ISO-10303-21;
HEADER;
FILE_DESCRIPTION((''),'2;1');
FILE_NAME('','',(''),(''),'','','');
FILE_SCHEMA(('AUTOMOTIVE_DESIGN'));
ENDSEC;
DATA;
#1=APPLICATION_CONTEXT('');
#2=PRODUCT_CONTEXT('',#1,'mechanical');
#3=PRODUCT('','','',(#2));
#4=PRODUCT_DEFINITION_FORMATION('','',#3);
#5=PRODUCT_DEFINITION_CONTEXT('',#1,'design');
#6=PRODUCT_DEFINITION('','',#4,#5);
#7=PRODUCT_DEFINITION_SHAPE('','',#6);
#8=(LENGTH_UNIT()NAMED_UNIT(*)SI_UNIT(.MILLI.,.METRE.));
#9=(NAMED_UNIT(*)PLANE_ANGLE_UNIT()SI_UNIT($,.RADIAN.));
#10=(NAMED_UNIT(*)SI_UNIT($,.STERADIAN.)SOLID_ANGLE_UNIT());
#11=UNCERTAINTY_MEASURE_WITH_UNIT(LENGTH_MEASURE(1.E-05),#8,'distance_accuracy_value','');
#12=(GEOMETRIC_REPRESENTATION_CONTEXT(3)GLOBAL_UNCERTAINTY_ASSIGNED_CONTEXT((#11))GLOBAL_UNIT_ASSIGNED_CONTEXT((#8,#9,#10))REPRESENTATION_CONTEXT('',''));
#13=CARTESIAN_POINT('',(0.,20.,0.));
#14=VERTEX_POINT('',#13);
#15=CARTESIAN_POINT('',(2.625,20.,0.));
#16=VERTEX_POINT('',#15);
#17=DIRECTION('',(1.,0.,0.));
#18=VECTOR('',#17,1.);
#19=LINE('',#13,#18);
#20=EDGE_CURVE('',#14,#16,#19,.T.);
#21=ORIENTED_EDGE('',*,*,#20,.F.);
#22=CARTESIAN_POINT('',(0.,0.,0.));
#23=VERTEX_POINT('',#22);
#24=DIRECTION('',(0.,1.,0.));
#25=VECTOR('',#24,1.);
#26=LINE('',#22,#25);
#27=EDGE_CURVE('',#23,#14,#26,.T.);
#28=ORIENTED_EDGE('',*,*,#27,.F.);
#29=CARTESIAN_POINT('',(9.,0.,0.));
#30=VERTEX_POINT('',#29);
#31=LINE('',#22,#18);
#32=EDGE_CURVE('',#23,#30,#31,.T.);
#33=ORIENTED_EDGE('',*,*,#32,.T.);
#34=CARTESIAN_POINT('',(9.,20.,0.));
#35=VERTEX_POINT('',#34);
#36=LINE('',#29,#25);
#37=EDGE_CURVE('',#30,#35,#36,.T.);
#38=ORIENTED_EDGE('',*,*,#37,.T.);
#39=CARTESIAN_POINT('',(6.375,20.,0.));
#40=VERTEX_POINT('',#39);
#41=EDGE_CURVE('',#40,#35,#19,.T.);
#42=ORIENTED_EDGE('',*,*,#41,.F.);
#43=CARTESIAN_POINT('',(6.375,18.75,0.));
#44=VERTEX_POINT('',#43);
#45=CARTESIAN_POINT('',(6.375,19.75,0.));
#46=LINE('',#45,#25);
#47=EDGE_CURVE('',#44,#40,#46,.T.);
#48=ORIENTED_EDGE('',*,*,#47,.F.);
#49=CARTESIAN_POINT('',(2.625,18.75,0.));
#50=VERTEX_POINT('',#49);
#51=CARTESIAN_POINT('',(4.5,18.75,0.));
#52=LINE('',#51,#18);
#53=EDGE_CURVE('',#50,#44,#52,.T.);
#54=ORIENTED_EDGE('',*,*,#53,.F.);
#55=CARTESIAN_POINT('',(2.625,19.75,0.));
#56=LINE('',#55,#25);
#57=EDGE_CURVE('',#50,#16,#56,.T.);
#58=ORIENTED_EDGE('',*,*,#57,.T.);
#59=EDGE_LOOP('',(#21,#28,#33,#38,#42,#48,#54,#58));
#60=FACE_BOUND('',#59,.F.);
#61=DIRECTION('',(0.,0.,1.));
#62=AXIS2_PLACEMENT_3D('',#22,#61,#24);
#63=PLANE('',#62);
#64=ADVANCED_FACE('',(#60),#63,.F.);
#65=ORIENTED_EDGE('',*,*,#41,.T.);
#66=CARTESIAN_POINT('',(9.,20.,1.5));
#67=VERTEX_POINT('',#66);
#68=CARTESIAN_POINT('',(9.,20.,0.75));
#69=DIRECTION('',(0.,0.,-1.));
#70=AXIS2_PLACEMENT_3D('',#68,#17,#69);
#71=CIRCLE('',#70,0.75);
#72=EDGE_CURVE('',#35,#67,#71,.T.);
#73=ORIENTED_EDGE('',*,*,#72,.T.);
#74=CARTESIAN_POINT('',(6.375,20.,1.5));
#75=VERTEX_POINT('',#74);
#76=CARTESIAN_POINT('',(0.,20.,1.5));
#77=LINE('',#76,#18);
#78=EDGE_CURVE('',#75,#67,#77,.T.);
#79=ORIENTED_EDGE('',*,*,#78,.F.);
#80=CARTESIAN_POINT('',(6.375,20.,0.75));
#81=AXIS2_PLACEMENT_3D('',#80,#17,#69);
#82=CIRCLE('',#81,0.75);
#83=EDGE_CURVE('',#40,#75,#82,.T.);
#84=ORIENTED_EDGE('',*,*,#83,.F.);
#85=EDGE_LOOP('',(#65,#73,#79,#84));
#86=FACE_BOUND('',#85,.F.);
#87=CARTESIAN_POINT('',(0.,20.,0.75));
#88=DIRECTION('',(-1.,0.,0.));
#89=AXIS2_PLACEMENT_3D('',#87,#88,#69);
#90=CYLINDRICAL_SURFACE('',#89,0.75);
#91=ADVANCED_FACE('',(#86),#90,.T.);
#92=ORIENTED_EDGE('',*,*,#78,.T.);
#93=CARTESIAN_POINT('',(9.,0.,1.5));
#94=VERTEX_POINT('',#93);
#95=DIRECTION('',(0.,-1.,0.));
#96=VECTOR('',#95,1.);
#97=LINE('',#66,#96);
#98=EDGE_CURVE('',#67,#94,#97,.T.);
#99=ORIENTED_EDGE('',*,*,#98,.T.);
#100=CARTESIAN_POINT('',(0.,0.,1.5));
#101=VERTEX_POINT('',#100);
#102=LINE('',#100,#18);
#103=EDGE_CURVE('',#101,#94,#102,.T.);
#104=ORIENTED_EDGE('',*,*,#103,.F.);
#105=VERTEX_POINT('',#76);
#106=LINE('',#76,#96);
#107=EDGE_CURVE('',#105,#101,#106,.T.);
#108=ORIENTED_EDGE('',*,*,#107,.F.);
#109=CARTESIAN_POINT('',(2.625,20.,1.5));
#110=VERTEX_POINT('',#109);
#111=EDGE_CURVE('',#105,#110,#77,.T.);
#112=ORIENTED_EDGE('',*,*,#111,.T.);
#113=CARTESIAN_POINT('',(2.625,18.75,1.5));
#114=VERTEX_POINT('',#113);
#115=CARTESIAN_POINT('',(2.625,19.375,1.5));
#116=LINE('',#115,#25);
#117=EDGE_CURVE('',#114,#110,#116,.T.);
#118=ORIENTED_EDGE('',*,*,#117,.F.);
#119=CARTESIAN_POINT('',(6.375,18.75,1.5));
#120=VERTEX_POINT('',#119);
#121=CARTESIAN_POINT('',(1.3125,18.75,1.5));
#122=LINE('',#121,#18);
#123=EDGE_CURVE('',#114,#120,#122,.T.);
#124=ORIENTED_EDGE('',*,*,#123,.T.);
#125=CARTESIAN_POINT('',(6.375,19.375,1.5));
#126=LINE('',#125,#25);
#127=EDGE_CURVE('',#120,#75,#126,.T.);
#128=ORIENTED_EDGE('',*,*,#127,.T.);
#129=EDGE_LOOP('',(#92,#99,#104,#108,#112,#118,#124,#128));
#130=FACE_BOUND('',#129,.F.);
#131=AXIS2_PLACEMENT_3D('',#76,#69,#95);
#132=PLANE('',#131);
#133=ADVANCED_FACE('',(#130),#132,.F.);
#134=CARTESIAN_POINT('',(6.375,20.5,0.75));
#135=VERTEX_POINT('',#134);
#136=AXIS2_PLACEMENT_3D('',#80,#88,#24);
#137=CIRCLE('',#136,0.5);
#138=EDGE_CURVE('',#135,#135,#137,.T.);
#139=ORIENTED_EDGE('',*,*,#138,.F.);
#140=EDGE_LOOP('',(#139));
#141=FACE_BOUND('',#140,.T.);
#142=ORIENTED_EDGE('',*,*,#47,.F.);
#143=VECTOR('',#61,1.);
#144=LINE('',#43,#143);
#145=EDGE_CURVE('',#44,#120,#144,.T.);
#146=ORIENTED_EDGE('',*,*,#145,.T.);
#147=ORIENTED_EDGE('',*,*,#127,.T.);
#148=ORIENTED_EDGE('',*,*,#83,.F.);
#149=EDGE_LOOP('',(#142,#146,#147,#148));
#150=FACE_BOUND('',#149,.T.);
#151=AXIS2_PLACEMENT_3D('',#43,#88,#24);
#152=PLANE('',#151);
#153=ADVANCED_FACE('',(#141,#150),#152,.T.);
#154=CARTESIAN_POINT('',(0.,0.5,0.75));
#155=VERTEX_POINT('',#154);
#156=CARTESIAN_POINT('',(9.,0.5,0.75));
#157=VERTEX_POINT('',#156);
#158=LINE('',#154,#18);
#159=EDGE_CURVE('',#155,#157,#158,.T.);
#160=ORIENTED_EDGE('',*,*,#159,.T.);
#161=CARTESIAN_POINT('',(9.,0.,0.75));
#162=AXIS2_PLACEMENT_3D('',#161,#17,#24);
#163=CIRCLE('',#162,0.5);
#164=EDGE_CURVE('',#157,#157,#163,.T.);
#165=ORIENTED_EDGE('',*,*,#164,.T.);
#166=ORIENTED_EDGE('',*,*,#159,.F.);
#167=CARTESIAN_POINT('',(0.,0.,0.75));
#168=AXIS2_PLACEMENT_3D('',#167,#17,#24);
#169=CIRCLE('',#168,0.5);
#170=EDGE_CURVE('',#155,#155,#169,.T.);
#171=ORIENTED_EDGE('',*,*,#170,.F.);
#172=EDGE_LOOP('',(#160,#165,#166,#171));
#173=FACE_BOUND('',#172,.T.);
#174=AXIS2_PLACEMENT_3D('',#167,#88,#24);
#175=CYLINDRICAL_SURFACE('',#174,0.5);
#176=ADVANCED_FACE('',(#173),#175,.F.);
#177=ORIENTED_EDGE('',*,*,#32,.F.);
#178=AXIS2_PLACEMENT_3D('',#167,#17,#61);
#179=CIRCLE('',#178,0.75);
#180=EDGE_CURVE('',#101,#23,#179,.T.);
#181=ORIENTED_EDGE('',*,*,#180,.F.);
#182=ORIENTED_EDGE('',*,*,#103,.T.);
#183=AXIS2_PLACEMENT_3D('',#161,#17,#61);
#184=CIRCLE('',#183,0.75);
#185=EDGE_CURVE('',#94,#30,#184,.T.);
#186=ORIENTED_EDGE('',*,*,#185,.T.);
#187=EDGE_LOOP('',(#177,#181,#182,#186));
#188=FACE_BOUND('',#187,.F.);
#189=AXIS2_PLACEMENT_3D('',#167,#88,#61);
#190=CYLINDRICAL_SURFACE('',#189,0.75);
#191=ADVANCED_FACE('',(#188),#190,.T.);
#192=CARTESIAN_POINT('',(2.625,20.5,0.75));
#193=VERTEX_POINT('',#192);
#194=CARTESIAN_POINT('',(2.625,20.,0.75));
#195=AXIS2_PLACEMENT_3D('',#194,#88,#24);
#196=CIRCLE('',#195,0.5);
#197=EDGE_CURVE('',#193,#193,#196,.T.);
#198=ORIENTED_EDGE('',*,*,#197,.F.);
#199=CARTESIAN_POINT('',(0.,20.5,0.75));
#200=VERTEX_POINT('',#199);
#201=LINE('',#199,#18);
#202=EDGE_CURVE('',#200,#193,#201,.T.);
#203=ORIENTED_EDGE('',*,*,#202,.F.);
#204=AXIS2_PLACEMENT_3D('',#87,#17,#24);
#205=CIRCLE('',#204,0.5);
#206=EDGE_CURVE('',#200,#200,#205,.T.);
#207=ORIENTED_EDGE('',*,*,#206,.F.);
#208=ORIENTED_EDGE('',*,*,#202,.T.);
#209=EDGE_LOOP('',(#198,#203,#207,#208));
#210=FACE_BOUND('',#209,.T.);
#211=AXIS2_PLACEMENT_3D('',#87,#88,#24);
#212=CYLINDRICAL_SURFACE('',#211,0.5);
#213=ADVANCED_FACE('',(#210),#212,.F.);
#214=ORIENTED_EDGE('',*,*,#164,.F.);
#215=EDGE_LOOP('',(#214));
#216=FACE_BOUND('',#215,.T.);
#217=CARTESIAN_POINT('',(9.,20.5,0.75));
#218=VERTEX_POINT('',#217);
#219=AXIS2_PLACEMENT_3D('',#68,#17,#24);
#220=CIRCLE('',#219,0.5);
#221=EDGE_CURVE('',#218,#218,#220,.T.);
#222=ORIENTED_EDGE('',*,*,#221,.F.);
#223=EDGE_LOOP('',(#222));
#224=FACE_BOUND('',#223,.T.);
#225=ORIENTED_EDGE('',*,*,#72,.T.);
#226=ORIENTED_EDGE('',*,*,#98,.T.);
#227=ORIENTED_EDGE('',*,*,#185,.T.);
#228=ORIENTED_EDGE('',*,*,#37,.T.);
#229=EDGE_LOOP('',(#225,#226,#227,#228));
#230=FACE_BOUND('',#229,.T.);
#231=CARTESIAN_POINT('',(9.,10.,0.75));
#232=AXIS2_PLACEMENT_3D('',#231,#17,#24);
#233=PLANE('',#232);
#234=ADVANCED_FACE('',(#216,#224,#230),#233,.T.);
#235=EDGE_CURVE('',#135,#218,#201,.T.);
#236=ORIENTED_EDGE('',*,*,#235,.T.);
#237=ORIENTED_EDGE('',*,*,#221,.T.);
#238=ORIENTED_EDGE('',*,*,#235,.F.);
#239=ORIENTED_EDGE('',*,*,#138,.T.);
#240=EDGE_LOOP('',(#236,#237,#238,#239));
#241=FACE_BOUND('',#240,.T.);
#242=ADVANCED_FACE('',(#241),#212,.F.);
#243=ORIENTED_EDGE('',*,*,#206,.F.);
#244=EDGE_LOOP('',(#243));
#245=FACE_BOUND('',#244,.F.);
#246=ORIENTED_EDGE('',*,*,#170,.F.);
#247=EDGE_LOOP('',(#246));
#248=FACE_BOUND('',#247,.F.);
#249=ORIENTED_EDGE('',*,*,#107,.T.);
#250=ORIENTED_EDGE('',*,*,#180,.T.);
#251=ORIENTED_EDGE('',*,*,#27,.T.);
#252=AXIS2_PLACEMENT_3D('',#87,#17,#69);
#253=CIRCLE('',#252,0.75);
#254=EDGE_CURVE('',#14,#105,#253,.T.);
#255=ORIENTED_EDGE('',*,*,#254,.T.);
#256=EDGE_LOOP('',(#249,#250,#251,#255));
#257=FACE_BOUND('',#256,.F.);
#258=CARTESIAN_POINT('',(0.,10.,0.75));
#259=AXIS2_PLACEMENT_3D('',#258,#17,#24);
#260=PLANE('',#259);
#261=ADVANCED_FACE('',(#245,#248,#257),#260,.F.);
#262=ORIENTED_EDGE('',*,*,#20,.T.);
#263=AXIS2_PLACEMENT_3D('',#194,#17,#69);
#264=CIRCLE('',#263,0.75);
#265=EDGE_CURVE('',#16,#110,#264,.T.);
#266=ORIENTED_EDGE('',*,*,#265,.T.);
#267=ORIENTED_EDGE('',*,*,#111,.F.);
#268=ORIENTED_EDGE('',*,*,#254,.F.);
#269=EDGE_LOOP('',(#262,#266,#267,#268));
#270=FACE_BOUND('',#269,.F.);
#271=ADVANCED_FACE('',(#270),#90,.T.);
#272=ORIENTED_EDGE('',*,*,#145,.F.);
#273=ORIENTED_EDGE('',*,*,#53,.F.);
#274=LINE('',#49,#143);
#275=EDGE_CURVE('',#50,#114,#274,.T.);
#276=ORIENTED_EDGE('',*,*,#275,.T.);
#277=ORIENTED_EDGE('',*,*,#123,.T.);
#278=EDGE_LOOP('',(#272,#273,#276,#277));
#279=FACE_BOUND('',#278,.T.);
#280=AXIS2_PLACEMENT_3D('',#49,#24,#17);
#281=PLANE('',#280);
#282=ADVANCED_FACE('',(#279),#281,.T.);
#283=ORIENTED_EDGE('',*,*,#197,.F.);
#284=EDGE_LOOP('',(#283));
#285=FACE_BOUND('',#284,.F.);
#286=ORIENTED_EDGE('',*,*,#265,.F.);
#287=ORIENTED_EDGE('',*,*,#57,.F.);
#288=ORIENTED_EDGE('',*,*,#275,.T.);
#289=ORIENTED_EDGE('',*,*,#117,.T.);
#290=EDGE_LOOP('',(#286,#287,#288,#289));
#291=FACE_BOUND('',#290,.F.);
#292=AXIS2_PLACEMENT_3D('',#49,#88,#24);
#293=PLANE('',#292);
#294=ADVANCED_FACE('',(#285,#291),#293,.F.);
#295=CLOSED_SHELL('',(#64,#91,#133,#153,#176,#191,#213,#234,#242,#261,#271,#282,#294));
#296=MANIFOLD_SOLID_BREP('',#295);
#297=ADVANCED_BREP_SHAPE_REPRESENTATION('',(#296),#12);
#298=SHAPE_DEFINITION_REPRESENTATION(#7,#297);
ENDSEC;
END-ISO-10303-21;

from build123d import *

# Parameters (mm, degrees)
F0_R     = 0.5
F1_DEPTH = 9
F2_W     = 3.75
F2_H     = 2
F3_DEPTH = 1.501


with BuildPart() as f1:
    # F0 (on Right) → F1 (new body)
    with BuildSketch(Plane.YZ):
        with BuildLine():
            ThreePointArc((0, 1.5), (-0.75, 0.75), (0, 0))
            Line((0, 0), (20, 0))
            ThreePointArc((20, 0), (20.75, 0.75), (20, 1.5))
            Line((20, 1.5), (0, 1.5))
        make_face()
        with Locations((0, 0.75)):
            Circle(F0_R, mode=Mode.SUBTRACT)
        with Locations((20, 0.75)):
            Circle(F0_R, mode=Mode.SUBTRACT)
    extrude(amount=F1_DEPTH)

    # F2 (on Top) → F3 (cut, through all)
    with BuildSketch(Plane.XY):
        with Locations((4.5, 19.75)):
            Rectangle(F2_W, F2_H)
    extrude(amount=F3_DEPTH, mode=Mode.SUBTRACT)


solid = f1.part
